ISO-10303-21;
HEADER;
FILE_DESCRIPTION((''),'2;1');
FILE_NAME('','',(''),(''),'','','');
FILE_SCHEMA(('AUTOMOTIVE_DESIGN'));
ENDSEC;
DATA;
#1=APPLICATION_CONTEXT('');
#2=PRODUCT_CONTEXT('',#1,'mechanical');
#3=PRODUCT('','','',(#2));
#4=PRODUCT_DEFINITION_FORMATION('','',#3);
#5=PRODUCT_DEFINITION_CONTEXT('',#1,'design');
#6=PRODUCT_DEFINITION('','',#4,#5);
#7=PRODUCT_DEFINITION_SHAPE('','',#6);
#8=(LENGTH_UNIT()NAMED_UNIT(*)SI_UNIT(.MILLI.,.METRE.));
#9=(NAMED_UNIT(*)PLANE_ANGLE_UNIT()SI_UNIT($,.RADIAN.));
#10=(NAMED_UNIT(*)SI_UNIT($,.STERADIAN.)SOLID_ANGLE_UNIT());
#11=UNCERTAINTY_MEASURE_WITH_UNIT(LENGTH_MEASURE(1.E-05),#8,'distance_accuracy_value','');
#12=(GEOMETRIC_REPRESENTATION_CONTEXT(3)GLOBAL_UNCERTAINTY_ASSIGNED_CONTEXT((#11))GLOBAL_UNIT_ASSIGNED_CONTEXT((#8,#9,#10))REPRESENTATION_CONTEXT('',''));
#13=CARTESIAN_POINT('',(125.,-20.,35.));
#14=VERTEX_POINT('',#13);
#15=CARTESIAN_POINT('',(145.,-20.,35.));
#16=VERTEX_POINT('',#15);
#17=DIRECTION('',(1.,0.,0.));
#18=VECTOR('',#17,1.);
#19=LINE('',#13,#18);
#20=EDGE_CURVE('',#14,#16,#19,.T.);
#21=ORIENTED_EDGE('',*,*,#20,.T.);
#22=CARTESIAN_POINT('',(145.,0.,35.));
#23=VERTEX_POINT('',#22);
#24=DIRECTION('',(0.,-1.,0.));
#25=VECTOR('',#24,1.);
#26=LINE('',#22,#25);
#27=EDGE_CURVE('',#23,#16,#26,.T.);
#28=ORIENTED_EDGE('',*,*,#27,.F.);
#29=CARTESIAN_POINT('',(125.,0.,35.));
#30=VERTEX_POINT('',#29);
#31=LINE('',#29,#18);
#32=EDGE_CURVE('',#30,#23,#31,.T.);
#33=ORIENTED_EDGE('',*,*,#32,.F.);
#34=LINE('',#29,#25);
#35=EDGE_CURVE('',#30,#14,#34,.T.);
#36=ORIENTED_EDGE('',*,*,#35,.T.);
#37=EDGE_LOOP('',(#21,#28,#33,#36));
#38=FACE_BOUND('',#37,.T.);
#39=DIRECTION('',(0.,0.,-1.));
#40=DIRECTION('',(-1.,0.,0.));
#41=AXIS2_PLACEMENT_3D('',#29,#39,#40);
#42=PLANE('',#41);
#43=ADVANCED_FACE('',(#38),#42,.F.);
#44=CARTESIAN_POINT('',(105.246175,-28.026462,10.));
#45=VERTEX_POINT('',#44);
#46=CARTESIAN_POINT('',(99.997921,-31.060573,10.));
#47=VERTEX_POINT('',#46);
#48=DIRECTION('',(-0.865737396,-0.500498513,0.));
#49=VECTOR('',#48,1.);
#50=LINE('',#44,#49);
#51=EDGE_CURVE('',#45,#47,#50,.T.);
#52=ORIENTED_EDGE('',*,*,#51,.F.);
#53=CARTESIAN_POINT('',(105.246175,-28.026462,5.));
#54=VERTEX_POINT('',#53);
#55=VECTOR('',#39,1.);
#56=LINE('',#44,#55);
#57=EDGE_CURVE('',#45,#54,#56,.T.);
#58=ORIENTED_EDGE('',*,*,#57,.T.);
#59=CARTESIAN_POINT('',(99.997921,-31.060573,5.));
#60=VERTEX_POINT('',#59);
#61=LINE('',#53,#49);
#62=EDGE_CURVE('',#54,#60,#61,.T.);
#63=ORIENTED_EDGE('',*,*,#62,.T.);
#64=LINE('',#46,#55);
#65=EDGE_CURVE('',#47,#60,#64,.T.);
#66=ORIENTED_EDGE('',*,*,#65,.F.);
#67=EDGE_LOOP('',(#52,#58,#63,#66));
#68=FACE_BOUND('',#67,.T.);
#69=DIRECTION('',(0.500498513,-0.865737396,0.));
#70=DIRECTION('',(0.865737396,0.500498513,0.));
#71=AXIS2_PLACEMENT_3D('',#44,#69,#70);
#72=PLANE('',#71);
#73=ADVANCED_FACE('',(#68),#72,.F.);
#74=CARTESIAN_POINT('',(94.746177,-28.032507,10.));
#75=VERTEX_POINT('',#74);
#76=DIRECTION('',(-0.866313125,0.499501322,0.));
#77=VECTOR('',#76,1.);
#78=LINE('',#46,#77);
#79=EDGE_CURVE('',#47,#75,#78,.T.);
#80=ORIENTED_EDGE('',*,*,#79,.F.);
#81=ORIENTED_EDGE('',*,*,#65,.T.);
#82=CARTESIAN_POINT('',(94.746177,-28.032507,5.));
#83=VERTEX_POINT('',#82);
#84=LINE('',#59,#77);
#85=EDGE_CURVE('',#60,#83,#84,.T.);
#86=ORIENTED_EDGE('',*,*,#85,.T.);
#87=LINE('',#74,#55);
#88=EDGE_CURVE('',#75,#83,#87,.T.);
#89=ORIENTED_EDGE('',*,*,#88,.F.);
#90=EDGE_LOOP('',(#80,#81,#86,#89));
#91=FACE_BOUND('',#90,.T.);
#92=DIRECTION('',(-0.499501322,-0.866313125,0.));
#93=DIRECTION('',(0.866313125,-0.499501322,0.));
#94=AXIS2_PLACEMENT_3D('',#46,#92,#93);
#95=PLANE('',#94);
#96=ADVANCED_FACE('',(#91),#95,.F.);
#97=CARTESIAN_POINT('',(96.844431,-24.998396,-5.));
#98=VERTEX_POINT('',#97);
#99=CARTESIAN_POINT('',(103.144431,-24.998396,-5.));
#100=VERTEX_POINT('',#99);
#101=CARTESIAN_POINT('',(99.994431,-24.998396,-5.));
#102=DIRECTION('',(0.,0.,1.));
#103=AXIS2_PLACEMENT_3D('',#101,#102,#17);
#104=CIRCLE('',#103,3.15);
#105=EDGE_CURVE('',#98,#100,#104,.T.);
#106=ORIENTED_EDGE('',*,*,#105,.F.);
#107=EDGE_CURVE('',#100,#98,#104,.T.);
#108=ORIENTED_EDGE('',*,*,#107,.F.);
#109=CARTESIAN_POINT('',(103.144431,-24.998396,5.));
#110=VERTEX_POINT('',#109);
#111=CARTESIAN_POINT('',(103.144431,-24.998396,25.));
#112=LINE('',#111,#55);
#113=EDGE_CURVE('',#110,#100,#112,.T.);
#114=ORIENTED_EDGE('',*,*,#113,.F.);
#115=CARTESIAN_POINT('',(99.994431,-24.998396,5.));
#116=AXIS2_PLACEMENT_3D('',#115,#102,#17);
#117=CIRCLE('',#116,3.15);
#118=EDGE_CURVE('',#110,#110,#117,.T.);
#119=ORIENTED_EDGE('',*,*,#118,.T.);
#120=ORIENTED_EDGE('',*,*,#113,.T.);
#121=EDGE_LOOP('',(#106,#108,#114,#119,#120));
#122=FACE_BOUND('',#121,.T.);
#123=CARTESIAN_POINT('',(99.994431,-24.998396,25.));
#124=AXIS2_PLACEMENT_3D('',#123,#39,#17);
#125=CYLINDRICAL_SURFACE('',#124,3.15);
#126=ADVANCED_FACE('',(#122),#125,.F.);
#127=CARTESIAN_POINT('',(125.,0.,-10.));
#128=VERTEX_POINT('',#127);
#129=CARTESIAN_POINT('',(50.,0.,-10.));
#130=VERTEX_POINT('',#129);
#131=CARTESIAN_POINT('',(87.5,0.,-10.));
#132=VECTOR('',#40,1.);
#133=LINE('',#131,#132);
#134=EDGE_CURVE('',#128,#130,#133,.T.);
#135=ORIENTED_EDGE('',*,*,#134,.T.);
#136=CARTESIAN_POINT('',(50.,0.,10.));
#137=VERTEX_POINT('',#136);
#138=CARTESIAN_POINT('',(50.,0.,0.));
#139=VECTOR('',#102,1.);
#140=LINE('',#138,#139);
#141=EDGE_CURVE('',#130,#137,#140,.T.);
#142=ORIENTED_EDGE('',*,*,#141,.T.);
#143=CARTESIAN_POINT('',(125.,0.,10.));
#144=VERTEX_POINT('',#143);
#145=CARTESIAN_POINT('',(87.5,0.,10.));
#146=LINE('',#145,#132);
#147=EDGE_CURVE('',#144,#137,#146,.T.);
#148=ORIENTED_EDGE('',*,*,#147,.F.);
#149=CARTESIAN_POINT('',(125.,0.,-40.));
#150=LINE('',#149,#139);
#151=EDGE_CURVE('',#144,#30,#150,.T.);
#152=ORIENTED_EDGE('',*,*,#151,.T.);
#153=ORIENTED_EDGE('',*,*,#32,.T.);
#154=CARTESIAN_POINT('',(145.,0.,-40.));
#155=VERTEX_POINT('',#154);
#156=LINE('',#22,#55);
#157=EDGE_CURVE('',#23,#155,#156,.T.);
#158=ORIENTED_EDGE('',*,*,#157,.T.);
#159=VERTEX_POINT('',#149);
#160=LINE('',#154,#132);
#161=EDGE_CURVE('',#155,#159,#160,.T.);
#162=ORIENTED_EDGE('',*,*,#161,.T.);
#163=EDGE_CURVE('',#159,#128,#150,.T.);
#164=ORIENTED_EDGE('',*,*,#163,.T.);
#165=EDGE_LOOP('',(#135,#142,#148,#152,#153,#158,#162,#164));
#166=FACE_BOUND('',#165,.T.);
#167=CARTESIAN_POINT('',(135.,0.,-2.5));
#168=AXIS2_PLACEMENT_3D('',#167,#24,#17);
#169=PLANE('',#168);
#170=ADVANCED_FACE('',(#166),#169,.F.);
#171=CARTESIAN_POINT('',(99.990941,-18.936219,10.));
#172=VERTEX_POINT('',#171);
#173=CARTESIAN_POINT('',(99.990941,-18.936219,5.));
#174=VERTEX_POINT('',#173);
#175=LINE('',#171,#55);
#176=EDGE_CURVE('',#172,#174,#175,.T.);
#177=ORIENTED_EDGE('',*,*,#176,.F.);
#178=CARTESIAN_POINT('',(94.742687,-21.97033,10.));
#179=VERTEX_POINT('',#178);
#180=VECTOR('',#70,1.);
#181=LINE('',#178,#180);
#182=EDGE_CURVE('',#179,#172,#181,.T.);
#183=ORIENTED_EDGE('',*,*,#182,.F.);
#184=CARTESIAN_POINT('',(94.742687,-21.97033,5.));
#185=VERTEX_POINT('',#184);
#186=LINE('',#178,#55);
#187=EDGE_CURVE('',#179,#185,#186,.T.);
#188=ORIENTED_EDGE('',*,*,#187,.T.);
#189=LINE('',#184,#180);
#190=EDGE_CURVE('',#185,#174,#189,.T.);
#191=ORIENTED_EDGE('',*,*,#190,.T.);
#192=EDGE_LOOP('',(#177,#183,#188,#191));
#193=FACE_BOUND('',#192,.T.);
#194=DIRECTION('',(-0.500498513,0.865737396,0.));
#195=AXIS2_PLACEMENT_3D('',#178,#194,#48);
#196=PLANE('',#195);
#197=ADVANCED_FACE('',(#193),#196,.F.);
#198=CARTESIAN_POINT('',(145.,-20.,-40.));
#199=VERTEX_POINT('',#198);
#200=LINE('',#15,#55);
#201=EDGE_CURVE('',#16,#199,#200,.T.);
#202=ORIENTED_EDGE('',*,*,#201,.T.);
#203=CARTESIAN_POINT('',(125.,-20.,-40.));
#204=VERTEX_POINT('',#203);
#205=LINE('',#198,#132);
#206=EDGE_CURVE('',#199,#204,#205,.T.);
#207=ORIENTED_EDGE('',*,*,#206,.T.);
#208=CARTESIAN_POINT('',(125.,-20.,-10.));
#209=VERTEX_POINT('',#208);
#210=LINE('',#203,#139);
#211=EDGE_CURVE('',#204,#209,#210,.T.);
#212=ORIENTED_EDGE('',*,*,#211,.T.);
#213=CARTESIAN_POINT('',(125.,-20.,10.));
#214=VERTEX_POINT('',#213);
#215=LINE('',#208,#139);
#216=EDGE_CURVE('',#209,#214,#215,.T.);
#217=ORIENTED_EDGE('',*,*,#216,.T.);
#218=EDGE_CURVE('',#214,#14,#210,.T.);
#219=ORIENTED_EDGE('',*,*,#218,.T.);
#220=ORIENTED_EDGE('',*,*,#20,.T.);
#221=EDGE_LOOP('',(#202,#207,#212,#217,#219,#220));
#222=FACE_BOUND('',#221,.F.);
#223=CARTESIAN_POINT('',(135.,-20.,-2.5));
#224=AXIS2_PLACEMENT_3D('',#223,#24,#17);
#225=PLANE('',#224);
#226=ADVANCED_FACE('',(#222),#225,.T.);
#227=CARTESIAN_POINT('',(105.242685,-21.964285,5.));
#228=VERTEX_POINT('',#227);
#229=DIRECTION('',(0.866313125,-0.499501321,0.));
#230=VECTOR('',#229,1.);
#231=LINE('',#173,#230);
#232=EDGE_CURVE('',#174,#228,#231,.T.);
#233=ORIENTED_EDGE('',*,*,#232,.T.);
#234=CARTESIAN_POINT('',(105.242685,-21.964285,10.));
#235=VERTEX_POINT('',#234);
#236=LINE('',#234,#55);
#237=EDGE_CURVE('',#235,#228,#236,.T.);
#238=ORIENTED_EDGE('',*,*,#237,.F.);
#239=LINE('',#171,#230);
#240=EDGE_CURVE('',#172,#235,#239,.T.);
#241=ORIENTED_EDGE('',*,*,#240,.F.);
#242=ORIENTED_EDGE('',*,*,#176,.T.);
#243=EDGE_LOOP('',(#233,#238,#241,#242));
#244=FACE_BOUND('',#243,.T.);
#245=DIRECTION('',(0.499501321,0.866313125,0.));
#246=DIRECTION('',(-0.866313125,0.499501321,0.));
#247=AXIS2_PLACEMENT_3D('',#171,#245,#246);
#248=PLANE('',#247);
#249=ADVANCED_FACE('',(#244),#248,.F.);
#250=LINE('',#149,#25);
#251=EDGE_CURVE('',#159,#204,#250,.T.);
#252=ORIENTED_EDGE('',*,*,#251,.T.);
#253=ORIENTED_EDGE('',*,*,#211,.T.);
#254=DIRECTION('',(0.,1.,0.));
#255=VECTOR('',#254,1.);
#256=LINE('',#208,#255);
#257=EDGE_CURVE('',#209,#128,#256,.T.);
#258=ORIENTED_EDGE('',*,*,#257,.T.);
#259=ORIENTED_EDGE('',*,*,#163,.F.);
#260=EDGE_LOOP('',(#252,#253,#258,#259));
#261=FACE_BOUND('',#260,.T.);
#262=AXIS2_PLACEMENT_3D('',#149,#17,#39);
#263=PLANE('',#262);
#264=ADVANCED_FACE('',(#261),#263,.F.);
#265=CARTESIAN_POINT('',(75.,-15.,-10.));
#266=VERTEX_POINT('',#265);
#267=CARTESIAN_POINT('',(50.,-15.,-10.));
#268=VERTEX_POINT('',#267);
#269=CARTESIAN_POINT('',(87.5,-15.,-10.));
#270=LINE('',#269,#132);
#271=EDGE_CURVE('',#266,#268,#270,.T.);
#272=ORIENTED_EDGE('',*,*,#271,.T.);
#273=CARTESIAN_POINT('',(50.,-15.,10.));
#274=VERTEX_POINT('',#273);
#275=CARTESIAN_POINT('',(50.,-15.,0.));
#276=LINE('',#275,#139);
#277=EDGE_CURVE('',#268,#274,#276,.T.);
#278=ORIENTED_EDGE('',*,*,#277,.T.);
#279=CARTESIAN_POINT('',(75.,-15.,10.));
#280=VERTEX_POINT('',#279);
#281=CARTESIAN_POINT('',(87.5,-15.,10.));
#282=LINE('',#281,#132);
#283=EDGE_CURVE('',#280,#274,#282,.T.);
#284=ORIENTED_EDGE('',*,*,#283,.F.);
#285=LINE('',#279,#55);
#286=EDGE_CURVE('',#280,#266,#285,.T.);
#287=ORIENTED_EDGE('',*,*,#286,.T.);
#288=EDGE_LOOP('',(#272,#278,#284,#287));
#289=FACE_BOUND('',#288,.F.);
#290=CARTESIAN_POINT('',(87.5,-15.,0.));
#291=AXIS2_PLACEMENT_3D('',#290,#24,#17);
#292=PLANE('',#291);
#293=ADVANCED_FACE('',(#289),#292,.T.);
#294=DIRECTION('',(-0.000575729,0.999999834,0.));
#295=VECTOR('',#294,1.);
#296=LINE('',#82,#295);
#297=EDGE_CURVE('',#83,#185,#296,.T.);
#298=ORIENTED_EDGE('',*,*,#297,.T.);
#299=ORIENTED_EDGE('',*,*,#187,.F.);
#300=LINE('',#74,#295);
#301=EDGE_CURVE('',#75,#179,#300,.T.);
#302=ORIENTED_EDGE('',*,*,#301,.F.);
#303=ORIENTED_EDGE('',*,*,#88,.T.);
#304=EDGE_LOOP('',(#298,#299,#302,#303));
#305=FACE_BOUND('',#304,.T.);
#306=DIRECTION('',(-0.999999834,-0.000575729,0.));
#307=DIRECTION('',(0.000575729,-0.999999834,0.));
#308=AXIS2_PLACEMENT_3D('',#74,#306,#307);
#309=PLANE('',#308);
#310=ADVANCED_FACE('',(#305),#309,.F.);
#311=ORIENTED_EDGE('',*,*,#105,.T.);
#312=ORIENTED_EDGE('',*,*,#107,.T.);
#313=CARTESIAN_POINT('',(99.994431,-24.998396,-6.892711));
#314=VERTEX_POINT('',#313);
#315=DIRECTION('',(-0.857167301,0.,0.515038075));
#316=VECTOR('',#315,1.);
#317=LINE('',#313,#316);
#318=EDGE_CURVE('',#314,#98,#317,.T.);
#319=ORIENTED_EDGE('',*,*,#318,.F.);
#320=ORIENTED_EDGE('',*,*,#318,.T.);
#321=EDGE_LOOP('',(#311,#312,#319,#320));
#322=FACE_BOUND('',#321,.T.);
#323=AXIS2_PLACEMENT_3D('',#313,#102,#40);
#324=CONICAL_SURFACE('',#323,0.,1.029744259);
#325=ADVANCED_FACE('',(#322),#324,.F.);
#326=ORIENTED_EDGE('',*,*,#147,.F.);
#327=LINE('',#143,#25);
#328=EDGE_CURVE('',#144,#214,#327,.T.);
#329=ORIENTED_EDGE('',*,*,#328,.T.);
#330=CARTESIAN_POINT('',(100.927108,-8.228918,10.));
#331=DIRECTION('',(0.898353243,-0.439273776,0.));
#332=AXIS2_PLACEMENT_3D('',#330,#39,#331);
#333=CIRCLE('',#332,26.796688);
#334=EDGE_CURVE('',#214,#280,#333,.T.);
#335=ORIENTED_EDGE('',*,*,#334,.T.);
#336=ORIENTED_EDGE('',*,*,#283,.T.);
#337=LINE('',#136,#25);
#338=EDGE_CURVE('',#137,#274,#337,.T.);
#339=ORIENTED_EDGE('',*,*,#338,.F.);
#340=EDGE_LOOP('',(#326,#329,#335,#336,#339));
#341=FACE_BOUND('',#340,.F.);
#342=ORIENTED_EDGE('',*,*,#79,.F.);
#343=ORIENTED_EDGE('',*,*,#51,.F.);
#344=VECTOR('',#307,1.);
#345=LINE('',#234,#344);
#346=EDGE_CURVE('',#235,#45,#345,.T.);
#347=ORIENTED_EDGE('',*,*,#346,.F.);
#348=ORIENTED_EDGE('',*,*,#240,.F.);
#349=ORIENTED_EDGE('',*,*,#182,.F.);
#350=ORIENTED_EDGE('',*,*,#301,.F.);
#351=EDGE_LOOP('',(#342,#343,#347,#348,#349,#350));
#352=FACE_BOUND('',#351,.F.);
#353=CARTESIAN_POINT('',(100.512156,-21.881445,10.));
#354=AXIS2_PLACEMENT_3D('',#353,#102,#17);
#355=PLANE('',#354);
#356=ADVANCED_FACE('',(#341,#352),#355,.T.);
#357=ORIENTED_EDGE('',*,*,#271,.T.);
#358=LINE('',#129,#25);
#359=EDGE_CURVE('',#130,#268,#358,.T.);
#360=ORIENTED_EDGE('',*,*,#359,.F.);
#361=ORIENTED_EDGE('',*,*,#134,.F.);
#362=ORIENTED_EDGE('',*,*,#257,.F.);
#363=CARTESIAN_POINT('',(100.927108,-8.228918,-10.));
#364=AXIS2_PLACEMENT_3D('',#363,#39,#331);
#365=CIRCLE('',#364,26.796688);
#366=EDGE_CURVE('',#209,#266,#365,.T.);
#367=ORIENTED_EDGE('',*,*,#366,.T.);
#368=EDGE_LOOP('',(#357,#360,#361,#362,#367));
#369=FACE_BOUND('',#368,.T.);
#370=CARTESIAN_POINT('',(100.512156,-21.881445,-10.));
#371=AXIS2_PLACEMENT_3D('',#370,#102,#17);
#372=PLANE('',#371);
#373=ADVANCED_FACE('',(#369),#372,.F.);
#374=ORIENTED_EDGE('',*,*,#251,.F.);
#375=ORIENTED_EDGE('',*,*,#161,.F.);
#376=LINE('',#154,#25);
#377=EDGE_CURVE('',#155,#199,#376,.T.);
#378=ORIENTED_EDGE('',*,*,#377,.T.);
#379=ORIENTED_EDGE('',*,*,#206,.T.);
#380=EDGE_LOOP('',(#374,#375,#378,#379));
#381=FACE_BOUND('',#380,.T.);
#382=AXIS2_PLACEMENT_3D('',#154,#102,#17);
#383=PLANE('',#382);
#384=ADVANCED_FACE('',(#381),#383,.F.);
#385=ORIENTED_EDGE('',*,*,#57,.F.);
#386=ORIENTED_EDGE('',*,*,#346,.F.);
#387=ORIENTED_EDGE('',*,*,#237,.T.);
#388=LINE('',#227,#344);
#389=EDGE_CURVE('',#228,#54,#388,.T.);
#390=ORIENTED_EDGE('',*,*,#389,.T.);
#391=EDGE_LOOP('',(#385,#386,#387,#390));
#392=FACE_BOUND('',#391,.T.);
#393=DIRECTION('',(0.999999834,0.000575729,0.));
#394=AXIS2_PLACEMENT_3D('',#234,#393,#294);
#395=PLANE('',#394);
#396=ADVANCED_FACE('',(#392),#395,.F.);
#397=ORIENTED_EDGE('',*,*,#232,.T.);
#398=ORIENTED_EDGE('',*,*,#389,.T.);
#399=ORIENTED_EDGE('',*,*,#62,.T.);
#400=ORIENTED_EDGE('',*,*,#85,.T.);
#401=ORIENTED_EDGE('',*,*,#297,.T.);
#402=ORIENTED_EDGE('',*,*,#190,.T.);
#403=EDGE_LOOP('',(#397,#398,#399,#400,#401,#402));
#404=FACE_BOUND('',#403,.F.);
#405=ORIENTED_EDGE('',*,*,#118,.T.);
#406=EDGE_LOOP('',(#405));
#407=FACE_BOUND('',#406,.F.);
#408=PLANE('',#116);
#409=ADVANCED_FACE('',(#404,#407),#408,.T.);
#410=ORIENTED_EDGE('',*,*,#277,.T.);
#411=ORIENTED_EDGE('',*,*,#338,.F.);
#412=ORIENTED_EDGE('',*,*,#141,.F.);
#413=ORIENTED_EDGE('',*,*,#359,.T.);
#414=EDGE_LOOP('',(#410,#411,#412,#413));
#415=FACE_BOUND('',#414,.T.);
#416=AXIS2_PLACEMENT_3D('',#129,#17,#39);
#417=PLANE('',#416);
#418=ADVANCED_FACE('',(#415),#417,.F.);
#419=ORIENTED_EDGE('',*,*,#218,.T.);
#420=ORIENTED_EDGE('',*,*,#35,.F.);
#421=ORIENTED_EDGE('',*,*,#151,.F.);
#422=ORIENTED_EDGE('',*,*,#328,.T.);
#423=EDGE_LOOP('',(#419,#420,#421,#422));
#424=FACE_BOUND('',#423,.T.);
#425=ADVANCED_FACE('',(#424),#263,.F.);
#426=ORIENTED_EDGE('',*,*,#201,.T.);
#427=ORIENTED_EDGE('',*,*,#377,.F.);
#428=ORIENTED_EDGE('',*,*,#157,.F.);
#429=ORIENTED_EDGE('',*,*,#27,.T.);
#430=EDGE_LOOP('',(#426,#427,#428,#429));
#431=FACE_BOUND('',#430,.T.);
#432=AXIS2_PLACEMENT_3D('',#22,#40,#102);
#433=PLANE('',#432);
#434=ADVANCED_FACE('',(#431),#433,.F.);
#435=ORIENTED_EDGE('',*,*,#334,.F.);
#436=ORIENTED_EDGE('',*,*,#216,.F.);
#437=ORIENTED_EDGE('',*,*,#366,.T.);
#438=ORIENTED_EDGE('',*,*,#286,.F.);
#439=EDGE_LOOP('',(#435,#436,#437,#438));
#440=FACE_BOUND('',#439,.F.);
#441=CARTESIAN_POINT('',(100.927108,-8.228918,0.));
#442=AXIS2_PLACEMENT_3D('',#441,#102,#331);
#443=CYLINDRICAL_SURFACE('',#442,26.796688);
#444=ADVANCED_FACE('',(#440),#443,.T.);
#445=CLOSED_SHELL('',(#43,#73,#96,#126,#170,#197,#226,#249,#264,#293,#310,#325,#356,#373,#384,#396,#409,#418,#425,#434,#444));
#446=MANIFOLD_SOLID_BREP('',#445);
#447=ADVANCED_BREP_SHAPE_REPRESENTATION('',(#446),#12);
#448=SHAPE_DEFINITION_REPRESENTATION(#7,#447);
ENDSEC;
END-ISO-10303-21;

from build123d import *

# Parameters (mm, degrees)
F1_DEPTH = 20
F0_W     = 75
F0_H     = 20
F2_DEPTH = 15
F4_DEPTH = 10
F6_DEPTH = 5
F7_D     = 6.3
F7_DEPTH = 15
F7_TIP   = 1.8927109499


with BuildPart() as f1:
    # F0 (on Front) → F1 (new body)
    with BuildSketch(Plane.XZ):
        Polygon((-25, 35), (-45, 35), (-45, -40), (-25, -40), (-25, -10), (-25, 10), align=None)
    extrude(amount=F1_DEPTH)

    # F0 (on Front) → F2 (join)
    with BuildSketch(Plane.XZ):
        with Locations((12.5, 0)):
            Rectangle(F0_W, F0_H)
    extrude(amount=F2_DEPTH)

    # F3 (on Top) → F4 (join, symmetric)
    with BuildSketch(Plane.XY):
        with BuildLine():
            Line((-25, -15), (-25, -20))
            ThreePointArc((-25, -20), (1.7392618935, -34.8926189355), (25, -15))
            Line((25, -15), (0, -15))
            Line((0, -15), (-25, -15))
        make_face()
    extrude(amount=F4_DEPTH, both=True)

    # F5 (on face) → F6 (cut)
    with BuildSketch(Plane.XY.offset(10)):
        Polygon((5.2573132542, -21.9703298494), (0.009059209, -18.9362188631), (-5.2426850057, -21.9642846986), (-5.2461751751, -28.0264615203), (0.0020788701, -31.0605725067), (5.2538230847, -28.0325066712), align=None)
    extrude(amount=-F6_DEPTH, mode=Mode.SUBTRACT)

    # F7
    with Locations(Plane.XY.offset(10)):
        with Locations((0.0055690395, -24.9983956849)):
            Hole(F7_D / 2, depth=F7_DEPTH)
            with Locations((0, 0, -(F7_DEPTH + F7_TIP / 2))):  # 118° drill point
                Cone(0, F7_D / 2, F7_TIP, mode=Mode.SUBTRACT)


with BuildPart() as f8_1:
    # F8: instance of F1
    add(f1.part.mirror(Plane(origin=(50, -7.5, 0), x_dir=(0, 1, 0), z_dir=(1, 0, 0))))


solid = f8_1.part
